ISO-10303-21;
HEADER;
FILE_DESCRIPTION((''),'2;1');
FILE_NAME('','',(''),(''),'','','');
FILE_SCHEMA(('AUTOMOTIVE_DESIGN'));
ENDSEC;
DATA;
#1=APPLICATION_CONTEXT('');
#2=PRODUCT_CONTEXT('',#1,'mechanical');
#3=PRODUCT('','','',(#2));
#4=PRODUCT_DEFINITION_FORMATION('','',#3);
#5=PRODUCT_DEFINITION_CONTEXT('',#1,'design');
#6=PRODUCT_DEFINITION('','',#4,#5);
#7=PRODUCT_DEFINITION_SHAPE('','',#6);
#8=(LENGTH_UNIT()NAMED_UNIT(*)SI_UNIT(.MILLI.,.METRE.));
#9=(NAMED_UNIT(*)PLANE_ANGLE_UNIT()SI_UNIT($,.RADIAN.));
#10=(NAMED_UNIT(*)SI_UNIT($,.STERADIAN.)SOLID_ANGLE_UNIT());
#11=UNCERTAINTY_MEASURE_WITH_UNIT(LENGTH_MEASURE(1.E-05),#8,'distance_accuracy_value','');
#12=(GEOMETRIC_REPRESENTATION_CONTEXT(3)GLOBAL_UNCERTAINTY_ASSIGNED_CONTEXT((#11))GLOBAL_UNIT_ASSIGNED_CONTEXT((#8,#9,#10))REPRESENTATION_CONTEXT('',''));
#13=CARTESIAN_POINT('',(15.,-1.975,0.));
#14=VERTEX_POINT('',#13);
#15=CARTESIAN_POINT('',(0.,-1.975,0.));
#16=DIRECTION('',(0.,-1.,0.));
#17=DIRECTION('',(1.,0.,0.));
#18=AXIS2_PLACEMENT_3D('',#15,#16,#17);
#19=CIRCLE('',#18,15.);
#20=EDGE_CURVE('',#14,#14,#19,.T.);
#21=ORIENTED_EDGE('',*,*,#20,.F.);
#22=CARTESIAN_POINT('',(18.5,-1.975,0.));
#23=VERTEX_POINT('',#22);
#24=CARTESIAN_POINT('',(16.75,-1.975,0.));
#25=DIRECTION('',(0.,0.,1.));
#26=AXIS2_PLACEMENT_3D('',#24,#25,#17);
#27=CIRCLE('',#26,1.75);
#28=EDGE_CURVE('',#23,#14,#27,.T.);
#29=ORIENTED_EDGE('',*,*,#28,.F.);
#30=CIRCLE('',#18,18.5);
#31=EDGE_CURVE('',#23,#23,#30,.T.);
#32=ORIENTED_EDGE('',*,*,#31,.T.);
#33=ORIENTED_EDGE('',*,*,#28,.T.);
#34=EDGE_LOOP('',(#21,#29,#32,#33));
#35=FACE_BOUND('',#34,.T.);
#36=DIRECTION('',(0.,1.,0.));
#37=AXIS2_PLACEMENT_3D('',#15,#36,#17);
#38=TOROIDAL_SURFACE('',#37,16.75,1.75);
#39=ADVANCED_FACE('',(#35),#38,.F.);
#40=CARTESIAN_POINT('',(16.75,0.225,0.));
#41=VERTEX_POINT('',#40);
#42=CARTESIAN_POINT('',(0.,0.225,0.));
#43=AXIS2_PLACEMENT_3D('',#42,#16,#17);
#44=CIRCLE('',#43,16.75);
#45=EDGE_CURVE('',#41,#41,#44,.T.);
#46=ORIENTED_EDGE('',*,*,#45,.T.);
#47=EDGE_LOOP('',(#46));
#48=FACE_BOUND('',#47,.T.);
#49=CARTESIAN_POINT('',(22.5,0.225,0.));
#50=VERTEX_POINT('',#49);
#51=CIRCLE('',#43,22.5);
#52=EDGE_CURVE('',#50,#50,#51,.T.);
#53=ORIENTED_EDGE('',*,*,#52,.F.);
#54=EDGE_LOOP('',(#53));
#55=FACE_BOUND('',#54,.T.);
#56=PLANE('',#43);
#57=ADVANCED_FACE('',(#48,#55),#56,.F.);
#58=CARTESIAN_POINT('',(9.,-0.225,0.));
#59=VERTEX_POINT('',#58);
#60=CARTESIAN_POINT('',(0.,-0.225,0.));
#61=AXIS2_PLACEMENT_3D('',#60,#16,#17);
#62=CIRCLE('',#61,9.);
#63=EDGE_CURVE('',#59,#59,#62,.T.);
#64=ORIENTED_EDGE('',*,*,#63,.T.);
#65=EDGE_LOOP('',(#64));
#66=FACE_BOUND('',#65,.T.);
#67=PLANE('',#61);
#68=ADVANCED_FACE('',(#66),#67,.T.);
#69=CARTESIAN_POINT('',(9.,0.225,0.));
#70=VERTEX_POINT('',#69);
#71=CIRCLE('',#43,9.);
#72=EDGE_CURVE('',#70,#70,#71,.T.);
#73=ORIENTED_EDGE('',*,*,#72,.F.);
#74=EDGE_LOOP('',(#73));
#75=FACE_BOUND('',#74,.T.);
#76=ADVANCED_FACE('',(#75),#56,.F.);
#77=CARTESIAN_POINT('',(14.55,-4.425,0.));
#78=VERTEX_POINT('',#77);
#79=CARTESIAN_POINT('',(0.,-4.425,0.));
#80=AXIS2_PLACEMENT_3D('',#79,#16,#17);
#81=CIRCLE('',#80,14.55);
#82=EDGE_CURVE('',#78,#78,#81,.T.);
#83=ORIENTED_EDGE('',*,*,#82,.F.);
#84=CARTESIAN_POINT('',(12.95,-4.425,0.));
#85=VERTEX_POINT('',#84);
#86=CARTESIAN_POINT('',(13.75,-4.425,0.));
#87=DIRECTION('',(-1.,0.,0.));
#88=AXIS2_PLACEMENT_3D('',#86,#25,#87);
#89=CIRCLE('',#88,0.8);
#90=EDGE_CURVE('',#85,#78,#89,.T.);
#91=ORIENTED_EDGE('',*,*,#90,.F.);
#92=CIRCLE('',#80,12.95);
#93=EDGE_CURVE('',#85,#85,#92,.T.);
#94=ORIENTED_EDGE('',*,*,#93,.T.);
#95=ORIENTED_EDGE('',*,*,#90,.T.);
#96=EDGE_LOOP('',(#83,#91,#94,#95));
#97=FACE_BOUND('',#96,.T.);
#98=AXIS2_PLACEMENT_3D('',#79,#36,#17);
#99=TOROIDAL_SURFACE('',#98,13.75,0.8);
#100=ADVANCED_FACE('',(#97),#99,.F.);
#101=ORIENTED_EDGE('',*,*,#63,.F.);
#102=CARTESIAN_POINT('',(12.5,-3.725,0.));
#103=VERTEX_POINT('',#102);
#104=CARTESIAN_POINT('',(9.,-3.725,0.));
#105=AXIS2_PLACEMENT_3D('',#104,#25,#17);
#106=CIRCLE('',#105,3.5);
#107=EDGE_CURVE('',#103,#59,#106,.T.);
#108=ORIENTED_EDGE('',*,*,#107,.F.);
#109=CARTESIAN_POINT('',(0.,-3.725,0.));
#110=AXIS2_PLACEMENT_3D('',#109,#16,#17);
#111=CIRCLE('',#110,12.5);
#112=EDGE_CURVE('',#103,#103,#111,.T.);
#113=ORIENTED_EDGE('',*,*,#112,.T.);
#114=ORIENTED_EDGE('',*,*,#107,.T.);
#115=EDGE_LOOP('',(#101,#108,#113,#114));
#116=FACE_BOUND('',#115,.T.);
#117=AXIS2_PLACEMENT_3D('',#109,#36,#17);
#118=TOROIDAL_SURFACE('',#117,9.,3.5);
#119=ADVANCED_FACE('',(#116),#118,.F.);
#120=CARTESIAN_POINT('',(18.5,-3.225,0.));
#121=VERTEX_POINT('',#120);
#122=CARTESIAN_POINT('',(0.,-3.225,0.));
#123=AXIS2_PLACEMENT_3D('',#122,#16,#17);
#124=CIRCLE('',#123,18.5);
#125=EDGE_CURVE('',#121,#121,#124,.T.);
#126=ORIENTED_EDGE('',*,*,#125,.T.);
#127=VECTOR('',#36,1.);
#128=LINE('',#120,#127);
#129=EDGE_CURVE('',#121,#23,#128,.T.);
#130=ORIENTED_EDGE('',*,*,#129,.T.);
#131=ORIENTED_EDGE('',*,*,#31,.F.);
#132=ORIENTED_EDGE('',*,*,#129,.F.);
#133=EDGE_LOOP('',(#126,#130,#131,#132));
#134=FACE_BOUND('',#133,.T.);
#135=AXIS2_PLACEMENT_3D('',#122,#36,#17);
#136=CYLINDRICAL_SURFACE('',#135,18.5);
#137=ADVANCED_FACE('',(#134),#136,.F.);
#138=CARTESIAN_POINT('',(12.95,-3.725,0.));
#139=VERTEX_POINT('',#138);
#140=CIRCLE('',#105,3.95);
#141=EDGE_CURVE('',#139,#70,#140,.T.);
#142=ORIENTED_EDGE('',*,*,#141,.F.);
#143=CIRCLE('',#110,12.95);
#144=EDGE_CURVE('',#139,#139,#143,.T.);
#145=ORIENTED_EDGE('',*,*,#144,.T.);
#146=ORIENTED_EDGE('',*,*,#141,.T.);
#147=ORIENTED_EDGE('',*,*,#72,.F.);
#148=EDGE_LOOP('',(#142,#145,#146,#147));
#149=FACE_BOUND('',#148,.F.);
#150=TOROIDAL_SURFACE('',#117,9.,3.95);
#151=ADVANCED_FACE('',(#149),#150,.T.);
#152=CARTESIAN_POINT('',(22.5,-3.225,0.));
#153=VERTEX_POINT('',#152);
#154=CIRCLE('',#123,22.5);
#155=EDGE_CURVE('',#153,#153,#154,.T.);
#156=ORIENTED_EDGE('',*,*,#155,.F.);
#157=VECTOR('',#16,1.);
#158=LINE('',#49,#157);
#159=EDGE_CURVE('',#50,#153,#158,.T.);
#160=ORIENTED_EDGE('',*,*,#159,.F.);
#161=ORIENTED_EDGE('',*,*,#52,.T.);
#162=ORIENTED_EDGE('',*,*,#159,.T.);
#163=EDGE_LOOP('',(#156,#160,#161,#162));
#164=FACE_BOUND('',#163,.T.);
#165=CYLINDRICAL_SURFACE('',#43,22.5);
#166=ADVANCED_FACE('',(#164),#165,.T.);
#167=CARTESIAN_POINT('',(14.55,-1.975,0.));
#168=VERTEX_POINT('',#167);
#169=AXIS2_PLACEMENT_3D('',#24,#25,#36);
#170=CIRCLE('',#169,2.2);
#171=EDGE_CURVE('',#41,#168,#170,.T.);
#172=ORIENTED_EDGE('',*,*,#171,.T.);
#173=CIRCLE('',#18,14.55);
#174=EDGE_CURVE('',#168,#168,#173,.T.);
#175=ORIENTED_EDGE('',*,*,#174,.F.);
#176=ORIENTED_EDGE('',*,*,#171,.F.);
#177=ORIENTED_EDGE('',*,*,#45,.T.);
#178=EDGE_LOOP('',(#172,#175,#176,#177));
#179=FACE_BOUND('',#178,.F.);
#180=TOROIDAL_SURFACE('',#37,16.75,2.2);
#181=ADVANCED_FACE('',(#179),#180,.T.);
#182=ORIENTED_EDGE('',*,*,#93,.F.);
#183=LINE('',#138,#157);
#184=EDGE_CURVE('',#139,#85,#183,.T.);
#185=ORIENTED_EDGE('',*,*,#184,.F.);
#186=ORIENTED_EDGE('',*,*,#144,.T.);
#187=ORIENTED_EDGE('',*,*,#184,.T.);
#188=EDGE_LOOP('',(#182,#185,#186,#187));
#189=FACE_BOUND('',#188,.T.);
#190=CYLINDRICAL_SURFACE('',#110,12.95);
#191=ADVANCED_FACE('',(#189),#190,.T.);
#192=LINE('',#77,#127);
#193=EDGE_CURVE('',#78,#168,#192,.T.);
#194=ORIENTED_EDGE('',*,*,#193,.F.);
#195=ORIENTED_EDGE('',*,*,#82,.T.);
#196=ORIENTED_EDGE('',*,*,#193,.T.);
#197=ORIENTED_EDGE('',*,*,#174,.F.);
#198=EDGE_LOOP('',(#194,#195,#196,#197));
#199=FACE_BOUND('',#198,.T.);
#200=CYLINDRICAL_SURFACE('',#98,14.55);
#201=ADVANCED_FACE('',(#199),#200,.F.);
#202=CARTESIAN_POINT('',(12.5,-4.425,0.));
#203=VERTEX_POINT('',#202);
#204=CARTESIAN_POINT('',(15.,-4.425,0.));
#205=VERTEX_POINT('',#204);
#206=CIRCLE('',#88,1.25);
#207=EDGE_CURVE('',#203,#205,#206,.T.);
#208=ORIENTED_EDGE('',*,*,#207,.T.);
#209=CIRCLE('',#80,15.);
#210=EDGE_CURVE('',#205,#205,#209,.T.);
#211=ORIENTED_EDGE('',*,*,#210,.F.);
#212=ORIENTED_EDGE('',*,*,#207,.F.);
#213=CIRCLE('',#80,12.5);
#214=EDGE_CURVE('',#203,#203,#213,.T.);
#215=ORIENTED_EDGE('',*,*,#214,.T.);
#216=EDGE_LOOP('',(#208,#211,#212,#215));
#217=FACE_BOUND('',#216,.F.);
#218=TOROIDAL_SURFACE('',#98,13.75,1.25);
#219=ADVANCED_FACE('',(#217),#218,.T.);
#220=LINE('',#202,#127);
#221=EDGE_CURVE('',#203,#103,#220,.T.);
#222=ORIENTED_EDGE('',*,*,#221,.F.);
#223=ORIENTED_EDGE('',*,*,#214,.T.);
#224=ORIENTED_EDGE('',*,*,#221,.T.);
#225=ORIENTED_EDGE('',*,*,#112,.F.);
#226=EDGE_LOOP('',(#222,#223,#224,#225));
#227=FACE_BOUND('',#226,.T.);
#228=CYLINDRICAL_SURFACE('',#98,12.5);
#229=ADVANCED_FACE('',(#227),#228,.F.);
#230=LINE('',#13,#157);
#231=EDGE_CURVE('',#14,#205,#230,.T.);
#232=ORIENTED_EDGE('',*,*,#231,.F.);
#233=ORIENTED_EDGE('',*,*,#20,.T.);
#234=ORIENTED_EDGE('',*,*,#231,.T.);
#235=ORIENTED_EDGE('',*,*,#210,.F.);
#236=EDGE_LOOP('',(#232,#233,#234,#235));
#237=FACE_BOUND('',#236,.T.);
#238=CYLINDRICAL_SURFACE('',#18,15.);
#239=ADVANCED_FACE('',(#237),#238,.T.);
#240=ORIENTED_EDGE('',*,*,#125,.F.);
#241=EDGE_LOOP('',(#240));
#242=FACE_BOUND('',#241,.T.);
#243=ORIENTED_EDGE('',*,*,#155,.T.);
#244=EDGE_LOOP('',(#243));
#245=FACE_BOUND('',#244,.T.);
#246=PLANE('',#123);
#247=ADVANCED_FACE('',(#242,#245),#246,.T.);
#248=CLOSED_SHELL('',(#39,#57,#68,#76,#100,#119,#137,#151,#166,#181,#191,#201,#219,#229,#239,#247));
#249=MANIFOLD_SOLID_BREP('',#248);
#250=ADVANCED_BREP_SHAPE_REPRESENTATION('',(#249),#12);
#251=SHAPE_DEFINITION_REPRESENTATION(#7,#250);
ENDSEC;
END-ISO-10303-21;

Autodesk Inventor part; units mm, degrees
ref_plane "YZ Plane" through (0, 0, 0) normal (1, 0, 0) x (0, 1, 0)
ref_plane "XZ Plane" through (0, 0, 0) normal (0, 1, 0) x (-1, 0, 0)
ref_plane "XY Plane" through (0, 0, 0) normal (0, 0, 1) x (1, 0, 0)
sketch "Skizze4" plane through (0, 0, 0) normal (0, 1, 0) x (-1, 0, 0)
  point P0 (0, 0)
  point P1 (0, 0)
sketch "Sketch_2" plane through (0, 0, 0) normal (0, 0, 1) x (1, 0, 0)
  line L0 (0, -0.225) -> (0, 0.225)
  line L1 (0, 0.225) -> (9, 0.225)
  arc A0 (12.95, -3.725) -> (9, 0.225) centre (9, -3.725) ccw
  line L2 (12.95, -3.725) -> (12.95, -4.425)
  arc A1 (12.95, -4.425) -> (14.55, -4.425) centre (13.75, -4.425) ccw
  line L3 (14.55, -4.425) -> (14.55, -1.975)
  arc A2 (16.75, 0.225) -> (14.55, -1.975) centre (16.75, -1.975) ccw
  line L4 (16.75, 0.225) -> (22.5, 0.225)
  line L5 (22.5, 0.225) -> (22.5, -3.225)
  line L6 (22.5, -3.225) -> (18.5, -3.225)
  line L7 (18.5, -3.225) -> (18.5, -1.975)
  arc A3 (18.5, -1.975) -> (15, -1.975) centre (16.75, -1.975) ccw
  line L8 (15, -1.975) -> (15, -4.425)
  arc A4 (12.5, -4.425) -> (15, -4.425) centre (13.75, -4.425) ccw
  line L9 (12.5, -4.425) -> (12.5, -3.725)
  arc A5 (12.5, -3.725) -> (9, -0.225) centre (9, -3.725) ccw
  line L10 (9, -0.225) -> (0, -0.225)
  line L11 (0, -0.225) -> (0, 0.225)
  point P0 (0, 0)
  point P1 (0, 0)
  point P2 (0, 0)
  dimension "d1" = 4
  dimension "d2" = 3.45
  dimension "d3" = 3.5
  dimension "d4" = 1.6
  dimension "d5" = 9
  dimension "d6" = 0.45
  dimension "d7" = 9
  dimension "d8" = 3.5
  dimension "d9" = 5.75
  dimension "d10" = 1.25
  dimension "d11" = 2.2
  dimension "d12" = 22.5
  dimension "d13" = 16.75
  dimension "d14" = 18.5
  dimension "d22" = 0.45
  dimension "d25" = 0.45
  dimension "d26" = 0.45
  dimension "d28" = 0.7
  dimension "d29" = 2.45
  dimension "d30" = 3
revolve "Revolution1" add sketch "Sketch_2" angle 360 about axis through (0, -0.225, 0) along (0, -1, 0)
properties part number "BFA 30 25 10 530043 Rollmembran mittel" material "Gummi, Silikon"
